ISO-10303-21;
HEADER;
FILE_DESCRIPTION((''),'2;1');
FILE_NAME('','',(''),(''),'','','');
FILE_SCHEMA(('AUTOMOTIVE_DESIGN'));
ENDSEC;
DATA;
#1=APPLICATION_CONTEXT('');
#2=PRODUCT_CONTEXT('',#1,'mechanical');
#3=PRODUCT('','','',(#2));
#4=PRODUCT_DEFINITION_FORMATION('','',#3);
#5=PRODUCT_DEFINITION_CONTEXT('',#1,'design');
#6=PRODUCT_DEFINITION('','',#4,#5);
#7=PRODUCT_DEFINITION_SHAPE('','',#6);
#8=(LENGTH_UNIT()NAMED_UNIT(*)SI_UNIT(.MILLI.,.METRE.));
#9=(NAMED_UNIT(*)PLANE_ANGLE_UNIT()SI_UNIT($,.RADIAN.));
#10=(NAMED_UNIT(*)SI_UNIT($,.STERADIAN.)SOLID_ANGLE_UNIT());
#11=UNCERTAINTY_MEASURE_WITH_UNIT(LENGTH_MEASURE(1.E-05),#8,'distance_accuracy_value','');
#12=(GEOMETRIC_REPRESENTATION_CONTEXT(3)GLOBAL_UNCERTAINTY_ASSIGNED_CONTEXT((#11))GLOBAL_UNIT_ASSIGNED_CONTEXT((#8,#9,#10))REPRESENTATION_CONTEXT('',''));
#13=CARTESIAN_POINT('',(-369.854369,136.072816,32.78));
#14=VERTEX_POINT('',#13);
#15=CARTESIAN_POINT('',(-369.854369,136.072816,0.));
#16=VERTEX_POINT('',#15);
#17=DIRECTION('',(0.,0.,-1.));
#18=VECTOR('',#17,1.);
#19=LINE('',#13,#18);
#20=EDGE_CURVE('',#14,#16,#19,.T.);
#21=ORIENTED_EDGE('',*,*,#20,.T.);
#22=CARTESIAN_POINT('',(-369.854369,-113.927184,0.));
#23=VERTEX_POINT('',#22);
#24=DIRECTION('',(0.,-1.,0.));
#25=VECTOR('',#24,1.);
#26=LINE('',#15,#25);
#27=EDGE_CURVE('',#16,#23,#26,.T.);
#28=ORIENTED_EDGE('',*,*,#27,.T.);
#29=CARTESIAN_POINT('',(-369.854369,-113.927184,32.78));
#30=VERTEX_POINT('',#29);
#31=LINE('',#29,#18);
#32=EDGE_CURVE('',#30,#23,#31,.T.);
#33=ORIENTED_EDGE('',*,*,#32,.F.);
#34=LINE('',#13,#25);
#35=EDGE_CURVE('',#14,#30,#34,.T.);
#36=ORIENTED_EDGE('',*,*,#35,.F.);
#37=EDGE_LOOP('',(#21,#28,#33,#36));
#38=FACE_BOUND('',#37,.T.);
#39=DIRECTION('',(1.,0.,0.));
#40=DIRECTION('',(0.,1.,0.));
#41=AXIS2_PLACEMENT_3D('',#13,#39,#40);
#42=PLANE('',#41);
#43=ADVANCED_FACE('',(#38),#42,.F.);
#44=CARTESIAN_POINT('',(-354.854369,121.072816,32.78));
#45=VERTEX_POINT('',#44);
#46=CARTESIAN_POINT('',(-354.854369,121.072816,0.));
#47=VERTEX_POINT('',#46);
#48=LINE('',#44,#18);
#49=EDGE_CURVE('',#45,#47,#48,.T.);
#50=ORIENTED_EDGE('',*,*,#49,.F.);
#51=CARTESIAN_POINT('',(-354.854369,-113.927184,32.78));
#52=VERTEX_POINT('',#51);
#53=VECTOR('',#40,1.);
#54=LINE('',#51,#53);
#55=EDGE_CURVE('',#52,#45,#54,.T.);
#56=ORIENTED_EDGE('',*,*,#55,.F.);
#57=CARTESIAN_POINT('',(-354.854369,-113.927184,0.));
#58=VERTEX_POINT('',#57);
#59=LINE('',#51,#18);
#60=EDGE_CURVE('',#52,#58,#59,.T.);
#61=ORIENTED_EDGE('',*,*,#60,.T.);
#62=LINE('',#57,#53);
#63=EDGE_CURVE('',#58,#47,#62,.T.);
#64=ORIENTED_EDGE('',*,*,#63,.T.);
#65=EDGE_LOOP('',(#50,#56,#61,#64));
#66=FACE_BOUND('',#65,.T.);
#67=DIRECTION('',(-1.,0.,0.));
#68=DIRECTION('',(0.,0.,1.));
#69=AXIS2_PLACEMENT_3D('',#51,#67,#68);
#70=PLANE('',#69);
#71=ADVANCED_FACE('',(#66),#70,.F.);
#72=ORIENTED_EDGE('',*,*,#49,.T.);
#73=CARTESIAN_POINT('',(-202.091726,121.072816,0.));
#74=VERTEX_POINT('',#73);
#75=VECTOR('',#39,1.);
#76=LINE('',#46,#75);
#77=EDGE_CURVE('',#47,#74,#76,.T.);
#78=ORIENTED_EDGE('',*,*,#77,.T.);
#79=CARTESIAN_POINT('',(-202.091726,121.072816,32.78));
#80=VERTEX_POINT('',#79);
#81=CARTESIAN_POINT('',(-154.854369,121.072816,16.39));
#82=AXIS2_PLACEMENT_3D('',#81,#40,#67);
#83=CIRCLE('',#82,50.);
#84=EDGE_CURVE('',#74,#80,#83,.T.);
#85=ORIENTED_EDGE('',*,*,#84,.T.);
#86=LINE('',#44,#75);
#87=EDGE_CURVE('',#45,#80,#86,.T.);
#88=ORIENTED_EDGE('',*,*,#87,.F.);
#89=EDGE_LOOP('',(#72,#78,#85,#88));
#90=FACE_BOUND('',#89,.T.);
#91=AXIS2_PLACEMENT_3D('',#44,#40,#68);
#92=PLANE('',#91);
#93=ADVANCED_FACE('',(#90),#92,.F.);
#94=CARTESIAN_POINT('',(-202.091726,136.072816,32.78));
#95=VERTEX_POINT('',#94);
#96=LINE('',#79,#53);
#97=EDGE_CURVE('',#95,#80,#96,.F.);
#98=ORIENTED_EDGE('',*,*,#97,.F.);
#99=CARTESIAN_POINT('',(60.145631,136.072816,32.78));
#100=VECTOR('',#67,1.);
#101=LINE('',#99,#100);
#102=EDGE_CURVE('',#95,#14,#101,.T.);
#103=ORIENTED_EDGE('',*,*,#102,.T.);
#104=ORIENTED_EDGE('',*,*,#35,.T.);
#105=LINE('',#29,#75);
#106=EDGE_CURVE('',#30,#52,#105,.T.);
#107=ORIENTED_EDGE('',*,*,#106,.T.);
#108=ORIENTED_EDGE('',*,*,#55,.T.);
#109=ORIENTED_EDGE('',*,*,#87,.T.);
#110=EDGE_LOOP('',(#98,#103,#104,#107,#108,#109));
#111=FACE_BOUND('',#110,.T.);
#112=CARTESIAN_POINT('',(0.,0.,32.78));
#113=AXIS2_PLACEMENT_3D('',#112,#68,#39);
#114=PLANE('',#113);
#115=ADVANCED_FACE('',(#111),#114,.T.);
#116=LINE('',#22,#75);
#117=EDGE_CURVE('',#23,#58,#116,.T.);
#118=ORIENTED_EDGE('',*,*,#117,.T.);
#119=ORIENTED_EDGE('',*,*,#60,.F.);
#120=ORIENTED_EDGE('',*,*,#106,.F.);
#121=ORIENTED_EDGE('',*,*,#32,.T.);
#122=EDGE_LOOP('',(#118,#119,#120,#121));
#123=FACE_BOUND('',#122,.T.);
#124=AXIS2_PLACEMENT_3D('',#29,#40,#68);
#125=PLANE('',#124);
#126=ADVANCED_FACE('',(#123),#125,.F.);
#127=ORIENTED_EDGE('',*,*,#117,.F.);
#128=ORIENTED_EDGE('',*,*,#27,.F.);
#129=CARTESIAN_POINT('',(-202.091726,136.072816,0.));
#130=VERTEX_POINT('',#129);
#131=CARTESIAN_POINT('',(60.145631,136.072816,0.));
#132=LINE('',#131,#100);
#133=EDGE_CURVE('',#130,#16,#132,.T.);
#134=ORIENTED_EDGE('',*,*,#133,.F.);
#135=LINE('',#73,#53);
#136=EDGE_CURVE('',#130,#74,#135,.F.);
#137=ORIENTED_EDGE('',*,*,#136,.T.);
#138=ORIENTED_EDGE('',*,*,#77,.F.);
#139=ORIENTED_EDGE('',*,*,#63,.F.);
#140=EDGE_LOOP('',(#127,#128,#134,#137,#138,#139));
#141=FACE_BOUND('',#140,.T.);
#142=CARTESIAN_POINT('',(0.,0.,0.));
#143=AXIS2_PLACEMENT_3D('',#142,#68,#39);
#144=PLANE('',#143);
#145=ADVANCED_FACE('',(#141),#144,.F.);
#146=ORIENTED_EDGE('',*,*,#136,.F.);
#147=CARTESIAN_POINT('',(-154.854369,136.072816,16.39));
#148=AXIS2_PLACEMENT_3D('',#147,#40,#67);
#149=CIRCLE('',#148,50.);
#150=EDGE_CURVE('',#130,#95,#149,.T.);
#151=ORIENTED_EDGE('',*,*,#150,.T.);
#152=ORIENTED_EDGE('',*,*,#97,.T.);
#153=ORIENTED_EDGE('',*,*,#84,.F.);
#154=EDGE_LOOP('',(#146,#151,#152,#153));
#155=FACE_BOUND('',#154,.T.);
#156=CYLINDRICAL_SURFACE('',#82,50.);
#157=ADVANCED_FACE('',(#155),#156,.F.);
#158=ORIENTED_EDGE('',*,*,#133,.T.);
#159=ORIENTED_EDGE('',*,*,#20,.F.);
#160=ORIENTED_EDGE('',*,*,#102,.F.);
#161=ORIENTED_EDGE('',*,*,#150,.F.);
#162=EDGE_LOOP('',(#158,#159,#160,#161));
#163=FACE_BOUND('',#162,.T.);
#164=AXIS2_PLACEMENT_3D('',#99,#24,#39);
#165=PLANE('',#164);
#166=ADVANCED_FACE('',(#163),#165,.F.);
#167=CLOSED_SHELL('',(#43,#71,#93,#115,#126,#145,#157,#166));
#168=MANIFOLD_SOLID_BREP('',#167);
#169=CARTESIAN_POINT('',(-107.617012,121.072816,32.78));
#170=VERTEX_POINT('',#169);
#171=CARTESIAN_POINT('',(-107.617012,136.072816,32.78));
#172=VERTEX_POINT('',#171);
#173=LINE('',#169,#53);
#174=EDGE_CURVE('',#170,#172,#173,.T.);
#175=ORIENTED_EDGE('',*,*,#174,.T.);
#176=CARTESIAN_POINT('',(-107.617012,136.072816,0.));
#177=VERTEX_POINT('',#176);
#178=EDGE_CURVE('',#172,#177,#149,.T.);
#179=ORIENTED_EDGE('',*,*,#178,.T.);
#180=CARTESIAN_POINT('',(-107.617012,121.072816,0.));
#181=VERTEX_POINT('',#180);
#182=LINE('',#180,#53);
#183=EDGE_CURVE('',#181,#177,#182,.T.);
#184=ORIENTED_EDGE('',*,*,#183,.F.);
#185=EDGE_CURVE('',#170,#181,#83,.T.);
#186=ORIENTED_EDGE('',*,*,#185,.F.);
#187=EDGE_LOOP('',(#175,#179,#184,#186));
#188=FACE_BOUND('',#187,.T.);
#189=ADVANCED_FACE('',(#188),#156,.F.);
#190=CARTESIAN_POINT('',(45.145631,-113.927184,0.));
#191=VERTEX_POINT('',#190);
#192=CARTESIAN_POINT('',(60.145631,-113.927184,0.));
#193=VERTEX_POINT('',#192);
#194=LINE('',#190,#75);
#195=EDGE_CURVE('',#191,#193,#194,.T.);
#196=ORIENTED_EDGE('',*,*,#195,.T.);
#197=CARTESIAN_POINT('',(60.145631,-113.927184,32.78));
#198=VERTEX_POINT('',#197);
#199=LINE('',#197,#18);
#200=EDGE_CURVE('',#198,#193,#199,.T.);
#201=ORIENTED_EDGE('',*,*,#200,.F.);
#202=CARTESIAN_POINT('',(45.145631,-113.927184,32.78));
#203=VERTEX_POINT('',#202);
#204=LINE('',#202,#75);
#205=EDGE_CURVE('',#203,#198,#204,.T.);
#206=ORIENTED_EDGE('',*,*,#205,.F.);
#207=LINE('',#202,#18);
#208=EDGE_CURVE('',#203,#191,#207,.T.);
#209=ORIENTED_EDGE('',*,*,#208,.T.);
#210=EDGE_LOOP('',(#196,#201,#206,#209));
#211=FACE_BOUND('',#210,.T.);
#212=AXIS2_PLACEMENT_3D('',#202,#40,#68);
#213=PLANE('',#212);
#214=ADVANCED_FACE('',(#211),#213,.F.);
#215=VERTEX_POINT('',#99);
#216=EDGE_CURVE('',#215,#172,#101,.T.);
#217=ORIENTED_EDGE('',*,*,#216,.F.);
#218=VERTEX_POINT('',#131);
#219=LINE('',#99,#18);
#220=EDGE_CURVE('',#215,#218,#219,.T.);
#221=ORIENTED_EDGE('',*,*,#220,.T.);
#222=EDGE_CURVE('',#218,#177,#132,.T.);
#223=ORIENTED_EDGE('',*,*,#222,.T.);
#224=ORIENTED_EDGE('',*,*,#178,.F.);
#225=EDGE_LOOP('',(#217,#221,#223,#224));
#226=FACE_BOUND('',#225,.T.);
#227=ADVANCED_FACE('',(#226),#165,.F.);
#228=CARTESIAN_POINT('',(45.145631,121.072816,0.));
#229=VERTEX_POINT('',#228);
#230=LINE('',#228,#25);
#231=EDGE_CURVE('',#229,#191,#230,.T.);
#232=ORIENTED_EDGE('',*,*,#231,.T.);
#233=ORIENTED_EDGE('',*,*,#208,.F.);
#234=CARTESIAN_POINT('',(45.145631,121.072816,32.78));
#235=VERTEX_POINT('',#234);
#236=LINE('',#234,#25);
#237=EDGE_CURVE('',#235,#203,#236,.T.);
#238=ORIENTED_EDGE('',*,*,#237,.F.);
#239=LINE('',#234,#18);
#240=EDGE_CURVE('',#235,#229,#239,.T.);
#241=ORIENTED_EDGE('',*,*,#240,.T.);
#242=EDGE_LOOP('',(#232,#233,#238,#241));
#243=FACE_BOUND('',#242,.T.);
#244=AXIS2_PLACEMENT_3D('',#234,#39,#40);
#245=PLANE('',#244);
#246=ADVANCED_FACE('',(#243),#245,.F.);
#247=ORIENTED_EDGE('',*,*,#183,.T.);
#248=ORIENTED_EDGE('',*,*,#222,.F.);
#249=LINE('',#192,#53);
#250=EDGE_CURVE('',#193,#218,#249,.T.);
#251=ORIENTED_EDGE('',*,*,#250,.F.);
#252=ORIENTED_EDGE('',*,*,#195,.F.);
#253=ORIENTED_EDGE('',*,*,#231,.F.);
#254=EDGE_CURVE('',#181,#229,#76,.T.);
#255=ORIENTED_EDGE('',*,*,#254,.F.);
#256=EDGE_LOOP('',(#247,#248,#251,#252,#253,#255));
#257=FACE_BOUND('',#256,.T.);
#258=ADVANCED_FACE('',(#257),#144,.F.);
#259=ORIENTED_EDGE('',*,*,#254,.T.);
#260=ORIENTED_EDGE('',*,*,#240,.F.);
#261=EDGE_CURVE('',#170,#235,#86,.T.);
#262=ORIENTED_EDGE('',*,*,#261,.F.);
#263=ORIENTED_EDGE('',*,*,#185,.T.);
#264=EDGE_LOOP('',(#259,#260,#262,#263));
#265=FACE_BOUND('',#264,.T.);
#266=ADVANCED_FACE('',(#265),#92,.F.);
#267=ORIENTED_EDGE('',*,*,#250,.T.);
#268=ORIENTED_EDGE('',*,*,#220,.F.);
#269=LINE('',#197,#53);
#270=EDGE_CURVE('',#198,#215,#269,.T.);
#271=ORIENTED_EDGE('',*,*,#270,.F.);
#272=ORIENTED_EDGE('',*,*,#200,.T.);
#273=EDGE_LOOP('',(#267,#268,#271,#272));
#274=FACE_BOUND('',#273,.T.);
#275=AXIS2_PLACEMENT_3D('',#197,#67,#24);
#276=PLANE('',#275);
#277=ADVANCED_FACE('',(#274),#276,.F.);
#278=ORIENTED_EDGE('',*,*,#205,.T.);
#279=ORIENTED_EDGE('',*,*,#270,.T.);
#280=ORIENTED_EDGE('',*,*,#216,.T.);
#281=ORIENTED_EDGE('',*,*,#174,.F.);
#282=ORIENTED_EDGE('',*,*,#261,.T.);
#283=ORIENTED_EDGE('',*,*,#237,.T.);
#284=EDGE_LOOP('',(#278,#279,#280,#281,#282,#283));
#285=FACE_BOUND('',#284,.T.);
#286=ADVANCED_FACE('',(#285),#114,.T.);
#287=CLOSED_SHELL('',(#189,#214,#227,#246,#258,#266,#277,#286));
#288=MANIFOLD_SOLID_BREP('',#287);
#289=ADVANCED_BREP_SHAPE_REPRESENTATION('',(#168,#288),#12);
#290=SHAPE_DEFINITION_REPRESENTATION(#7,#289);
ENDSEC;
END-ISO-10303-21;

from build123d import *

# Parameters (mm, degrees)
EXTRUDE_1_DEPTH     = 32.78
SKETCH_2_R          = 50
CUT_EXTRUDE_1_DEPTH = 15


with BuildPart() as part:
    # 草图1 → 凸台-拉伸1 (new body)
    with BuildSketch(Plane.XY):
        Polygon((-369.854368932, -113.927184466), (-354.854368932, -113.927184466), (-354.854368932, 121.072815534), (45.145631068, 121.072815534), (45.145631068, -113.927184466), (60.145631068, -113.927184466), (60.145631068, 136.072815534), (-369.854368932, 136.072815534), align=None)
    extrude(amount=EXTRUDE_1_DEPTH)

    # 草图2 → 切除-拉伸1 (cut)
    with BuildSketch(Plane(origin=(0, 136.072815534, 0), x_dir=(1, 0, 0), z_dir=(0, 1, 0))):
        with Locations((-154.854368932, -16.39)):
            Circle(SKETCH_2_R)
    extrude(amount=-CUT_EXTRUDE_1_DEPTH, mode=Mode.SUBTRACT)


with BuildPart() as cut_extrude_1_piece_1:
    # of the separate pieces the step leaves, piece 1, a body of its own (cut_extrude_1_pieces)
    add(part.part.solids().sort_by_distance((-369.854368932, -113.927184466, 0))[0])


with BuildPart() as cut_extrude_1_piece_2:
    # of the separate pieces the step leaves, piece 2, a body of its own (cut_extrude_1_pieces)
    add(part.part.solids().sort_by_distance((60.145631068, 136.072815534, 0))[0])


solid = Compound([cut_extrude_1_piece_1.part, cut_extrude_1_piece_2.part])
